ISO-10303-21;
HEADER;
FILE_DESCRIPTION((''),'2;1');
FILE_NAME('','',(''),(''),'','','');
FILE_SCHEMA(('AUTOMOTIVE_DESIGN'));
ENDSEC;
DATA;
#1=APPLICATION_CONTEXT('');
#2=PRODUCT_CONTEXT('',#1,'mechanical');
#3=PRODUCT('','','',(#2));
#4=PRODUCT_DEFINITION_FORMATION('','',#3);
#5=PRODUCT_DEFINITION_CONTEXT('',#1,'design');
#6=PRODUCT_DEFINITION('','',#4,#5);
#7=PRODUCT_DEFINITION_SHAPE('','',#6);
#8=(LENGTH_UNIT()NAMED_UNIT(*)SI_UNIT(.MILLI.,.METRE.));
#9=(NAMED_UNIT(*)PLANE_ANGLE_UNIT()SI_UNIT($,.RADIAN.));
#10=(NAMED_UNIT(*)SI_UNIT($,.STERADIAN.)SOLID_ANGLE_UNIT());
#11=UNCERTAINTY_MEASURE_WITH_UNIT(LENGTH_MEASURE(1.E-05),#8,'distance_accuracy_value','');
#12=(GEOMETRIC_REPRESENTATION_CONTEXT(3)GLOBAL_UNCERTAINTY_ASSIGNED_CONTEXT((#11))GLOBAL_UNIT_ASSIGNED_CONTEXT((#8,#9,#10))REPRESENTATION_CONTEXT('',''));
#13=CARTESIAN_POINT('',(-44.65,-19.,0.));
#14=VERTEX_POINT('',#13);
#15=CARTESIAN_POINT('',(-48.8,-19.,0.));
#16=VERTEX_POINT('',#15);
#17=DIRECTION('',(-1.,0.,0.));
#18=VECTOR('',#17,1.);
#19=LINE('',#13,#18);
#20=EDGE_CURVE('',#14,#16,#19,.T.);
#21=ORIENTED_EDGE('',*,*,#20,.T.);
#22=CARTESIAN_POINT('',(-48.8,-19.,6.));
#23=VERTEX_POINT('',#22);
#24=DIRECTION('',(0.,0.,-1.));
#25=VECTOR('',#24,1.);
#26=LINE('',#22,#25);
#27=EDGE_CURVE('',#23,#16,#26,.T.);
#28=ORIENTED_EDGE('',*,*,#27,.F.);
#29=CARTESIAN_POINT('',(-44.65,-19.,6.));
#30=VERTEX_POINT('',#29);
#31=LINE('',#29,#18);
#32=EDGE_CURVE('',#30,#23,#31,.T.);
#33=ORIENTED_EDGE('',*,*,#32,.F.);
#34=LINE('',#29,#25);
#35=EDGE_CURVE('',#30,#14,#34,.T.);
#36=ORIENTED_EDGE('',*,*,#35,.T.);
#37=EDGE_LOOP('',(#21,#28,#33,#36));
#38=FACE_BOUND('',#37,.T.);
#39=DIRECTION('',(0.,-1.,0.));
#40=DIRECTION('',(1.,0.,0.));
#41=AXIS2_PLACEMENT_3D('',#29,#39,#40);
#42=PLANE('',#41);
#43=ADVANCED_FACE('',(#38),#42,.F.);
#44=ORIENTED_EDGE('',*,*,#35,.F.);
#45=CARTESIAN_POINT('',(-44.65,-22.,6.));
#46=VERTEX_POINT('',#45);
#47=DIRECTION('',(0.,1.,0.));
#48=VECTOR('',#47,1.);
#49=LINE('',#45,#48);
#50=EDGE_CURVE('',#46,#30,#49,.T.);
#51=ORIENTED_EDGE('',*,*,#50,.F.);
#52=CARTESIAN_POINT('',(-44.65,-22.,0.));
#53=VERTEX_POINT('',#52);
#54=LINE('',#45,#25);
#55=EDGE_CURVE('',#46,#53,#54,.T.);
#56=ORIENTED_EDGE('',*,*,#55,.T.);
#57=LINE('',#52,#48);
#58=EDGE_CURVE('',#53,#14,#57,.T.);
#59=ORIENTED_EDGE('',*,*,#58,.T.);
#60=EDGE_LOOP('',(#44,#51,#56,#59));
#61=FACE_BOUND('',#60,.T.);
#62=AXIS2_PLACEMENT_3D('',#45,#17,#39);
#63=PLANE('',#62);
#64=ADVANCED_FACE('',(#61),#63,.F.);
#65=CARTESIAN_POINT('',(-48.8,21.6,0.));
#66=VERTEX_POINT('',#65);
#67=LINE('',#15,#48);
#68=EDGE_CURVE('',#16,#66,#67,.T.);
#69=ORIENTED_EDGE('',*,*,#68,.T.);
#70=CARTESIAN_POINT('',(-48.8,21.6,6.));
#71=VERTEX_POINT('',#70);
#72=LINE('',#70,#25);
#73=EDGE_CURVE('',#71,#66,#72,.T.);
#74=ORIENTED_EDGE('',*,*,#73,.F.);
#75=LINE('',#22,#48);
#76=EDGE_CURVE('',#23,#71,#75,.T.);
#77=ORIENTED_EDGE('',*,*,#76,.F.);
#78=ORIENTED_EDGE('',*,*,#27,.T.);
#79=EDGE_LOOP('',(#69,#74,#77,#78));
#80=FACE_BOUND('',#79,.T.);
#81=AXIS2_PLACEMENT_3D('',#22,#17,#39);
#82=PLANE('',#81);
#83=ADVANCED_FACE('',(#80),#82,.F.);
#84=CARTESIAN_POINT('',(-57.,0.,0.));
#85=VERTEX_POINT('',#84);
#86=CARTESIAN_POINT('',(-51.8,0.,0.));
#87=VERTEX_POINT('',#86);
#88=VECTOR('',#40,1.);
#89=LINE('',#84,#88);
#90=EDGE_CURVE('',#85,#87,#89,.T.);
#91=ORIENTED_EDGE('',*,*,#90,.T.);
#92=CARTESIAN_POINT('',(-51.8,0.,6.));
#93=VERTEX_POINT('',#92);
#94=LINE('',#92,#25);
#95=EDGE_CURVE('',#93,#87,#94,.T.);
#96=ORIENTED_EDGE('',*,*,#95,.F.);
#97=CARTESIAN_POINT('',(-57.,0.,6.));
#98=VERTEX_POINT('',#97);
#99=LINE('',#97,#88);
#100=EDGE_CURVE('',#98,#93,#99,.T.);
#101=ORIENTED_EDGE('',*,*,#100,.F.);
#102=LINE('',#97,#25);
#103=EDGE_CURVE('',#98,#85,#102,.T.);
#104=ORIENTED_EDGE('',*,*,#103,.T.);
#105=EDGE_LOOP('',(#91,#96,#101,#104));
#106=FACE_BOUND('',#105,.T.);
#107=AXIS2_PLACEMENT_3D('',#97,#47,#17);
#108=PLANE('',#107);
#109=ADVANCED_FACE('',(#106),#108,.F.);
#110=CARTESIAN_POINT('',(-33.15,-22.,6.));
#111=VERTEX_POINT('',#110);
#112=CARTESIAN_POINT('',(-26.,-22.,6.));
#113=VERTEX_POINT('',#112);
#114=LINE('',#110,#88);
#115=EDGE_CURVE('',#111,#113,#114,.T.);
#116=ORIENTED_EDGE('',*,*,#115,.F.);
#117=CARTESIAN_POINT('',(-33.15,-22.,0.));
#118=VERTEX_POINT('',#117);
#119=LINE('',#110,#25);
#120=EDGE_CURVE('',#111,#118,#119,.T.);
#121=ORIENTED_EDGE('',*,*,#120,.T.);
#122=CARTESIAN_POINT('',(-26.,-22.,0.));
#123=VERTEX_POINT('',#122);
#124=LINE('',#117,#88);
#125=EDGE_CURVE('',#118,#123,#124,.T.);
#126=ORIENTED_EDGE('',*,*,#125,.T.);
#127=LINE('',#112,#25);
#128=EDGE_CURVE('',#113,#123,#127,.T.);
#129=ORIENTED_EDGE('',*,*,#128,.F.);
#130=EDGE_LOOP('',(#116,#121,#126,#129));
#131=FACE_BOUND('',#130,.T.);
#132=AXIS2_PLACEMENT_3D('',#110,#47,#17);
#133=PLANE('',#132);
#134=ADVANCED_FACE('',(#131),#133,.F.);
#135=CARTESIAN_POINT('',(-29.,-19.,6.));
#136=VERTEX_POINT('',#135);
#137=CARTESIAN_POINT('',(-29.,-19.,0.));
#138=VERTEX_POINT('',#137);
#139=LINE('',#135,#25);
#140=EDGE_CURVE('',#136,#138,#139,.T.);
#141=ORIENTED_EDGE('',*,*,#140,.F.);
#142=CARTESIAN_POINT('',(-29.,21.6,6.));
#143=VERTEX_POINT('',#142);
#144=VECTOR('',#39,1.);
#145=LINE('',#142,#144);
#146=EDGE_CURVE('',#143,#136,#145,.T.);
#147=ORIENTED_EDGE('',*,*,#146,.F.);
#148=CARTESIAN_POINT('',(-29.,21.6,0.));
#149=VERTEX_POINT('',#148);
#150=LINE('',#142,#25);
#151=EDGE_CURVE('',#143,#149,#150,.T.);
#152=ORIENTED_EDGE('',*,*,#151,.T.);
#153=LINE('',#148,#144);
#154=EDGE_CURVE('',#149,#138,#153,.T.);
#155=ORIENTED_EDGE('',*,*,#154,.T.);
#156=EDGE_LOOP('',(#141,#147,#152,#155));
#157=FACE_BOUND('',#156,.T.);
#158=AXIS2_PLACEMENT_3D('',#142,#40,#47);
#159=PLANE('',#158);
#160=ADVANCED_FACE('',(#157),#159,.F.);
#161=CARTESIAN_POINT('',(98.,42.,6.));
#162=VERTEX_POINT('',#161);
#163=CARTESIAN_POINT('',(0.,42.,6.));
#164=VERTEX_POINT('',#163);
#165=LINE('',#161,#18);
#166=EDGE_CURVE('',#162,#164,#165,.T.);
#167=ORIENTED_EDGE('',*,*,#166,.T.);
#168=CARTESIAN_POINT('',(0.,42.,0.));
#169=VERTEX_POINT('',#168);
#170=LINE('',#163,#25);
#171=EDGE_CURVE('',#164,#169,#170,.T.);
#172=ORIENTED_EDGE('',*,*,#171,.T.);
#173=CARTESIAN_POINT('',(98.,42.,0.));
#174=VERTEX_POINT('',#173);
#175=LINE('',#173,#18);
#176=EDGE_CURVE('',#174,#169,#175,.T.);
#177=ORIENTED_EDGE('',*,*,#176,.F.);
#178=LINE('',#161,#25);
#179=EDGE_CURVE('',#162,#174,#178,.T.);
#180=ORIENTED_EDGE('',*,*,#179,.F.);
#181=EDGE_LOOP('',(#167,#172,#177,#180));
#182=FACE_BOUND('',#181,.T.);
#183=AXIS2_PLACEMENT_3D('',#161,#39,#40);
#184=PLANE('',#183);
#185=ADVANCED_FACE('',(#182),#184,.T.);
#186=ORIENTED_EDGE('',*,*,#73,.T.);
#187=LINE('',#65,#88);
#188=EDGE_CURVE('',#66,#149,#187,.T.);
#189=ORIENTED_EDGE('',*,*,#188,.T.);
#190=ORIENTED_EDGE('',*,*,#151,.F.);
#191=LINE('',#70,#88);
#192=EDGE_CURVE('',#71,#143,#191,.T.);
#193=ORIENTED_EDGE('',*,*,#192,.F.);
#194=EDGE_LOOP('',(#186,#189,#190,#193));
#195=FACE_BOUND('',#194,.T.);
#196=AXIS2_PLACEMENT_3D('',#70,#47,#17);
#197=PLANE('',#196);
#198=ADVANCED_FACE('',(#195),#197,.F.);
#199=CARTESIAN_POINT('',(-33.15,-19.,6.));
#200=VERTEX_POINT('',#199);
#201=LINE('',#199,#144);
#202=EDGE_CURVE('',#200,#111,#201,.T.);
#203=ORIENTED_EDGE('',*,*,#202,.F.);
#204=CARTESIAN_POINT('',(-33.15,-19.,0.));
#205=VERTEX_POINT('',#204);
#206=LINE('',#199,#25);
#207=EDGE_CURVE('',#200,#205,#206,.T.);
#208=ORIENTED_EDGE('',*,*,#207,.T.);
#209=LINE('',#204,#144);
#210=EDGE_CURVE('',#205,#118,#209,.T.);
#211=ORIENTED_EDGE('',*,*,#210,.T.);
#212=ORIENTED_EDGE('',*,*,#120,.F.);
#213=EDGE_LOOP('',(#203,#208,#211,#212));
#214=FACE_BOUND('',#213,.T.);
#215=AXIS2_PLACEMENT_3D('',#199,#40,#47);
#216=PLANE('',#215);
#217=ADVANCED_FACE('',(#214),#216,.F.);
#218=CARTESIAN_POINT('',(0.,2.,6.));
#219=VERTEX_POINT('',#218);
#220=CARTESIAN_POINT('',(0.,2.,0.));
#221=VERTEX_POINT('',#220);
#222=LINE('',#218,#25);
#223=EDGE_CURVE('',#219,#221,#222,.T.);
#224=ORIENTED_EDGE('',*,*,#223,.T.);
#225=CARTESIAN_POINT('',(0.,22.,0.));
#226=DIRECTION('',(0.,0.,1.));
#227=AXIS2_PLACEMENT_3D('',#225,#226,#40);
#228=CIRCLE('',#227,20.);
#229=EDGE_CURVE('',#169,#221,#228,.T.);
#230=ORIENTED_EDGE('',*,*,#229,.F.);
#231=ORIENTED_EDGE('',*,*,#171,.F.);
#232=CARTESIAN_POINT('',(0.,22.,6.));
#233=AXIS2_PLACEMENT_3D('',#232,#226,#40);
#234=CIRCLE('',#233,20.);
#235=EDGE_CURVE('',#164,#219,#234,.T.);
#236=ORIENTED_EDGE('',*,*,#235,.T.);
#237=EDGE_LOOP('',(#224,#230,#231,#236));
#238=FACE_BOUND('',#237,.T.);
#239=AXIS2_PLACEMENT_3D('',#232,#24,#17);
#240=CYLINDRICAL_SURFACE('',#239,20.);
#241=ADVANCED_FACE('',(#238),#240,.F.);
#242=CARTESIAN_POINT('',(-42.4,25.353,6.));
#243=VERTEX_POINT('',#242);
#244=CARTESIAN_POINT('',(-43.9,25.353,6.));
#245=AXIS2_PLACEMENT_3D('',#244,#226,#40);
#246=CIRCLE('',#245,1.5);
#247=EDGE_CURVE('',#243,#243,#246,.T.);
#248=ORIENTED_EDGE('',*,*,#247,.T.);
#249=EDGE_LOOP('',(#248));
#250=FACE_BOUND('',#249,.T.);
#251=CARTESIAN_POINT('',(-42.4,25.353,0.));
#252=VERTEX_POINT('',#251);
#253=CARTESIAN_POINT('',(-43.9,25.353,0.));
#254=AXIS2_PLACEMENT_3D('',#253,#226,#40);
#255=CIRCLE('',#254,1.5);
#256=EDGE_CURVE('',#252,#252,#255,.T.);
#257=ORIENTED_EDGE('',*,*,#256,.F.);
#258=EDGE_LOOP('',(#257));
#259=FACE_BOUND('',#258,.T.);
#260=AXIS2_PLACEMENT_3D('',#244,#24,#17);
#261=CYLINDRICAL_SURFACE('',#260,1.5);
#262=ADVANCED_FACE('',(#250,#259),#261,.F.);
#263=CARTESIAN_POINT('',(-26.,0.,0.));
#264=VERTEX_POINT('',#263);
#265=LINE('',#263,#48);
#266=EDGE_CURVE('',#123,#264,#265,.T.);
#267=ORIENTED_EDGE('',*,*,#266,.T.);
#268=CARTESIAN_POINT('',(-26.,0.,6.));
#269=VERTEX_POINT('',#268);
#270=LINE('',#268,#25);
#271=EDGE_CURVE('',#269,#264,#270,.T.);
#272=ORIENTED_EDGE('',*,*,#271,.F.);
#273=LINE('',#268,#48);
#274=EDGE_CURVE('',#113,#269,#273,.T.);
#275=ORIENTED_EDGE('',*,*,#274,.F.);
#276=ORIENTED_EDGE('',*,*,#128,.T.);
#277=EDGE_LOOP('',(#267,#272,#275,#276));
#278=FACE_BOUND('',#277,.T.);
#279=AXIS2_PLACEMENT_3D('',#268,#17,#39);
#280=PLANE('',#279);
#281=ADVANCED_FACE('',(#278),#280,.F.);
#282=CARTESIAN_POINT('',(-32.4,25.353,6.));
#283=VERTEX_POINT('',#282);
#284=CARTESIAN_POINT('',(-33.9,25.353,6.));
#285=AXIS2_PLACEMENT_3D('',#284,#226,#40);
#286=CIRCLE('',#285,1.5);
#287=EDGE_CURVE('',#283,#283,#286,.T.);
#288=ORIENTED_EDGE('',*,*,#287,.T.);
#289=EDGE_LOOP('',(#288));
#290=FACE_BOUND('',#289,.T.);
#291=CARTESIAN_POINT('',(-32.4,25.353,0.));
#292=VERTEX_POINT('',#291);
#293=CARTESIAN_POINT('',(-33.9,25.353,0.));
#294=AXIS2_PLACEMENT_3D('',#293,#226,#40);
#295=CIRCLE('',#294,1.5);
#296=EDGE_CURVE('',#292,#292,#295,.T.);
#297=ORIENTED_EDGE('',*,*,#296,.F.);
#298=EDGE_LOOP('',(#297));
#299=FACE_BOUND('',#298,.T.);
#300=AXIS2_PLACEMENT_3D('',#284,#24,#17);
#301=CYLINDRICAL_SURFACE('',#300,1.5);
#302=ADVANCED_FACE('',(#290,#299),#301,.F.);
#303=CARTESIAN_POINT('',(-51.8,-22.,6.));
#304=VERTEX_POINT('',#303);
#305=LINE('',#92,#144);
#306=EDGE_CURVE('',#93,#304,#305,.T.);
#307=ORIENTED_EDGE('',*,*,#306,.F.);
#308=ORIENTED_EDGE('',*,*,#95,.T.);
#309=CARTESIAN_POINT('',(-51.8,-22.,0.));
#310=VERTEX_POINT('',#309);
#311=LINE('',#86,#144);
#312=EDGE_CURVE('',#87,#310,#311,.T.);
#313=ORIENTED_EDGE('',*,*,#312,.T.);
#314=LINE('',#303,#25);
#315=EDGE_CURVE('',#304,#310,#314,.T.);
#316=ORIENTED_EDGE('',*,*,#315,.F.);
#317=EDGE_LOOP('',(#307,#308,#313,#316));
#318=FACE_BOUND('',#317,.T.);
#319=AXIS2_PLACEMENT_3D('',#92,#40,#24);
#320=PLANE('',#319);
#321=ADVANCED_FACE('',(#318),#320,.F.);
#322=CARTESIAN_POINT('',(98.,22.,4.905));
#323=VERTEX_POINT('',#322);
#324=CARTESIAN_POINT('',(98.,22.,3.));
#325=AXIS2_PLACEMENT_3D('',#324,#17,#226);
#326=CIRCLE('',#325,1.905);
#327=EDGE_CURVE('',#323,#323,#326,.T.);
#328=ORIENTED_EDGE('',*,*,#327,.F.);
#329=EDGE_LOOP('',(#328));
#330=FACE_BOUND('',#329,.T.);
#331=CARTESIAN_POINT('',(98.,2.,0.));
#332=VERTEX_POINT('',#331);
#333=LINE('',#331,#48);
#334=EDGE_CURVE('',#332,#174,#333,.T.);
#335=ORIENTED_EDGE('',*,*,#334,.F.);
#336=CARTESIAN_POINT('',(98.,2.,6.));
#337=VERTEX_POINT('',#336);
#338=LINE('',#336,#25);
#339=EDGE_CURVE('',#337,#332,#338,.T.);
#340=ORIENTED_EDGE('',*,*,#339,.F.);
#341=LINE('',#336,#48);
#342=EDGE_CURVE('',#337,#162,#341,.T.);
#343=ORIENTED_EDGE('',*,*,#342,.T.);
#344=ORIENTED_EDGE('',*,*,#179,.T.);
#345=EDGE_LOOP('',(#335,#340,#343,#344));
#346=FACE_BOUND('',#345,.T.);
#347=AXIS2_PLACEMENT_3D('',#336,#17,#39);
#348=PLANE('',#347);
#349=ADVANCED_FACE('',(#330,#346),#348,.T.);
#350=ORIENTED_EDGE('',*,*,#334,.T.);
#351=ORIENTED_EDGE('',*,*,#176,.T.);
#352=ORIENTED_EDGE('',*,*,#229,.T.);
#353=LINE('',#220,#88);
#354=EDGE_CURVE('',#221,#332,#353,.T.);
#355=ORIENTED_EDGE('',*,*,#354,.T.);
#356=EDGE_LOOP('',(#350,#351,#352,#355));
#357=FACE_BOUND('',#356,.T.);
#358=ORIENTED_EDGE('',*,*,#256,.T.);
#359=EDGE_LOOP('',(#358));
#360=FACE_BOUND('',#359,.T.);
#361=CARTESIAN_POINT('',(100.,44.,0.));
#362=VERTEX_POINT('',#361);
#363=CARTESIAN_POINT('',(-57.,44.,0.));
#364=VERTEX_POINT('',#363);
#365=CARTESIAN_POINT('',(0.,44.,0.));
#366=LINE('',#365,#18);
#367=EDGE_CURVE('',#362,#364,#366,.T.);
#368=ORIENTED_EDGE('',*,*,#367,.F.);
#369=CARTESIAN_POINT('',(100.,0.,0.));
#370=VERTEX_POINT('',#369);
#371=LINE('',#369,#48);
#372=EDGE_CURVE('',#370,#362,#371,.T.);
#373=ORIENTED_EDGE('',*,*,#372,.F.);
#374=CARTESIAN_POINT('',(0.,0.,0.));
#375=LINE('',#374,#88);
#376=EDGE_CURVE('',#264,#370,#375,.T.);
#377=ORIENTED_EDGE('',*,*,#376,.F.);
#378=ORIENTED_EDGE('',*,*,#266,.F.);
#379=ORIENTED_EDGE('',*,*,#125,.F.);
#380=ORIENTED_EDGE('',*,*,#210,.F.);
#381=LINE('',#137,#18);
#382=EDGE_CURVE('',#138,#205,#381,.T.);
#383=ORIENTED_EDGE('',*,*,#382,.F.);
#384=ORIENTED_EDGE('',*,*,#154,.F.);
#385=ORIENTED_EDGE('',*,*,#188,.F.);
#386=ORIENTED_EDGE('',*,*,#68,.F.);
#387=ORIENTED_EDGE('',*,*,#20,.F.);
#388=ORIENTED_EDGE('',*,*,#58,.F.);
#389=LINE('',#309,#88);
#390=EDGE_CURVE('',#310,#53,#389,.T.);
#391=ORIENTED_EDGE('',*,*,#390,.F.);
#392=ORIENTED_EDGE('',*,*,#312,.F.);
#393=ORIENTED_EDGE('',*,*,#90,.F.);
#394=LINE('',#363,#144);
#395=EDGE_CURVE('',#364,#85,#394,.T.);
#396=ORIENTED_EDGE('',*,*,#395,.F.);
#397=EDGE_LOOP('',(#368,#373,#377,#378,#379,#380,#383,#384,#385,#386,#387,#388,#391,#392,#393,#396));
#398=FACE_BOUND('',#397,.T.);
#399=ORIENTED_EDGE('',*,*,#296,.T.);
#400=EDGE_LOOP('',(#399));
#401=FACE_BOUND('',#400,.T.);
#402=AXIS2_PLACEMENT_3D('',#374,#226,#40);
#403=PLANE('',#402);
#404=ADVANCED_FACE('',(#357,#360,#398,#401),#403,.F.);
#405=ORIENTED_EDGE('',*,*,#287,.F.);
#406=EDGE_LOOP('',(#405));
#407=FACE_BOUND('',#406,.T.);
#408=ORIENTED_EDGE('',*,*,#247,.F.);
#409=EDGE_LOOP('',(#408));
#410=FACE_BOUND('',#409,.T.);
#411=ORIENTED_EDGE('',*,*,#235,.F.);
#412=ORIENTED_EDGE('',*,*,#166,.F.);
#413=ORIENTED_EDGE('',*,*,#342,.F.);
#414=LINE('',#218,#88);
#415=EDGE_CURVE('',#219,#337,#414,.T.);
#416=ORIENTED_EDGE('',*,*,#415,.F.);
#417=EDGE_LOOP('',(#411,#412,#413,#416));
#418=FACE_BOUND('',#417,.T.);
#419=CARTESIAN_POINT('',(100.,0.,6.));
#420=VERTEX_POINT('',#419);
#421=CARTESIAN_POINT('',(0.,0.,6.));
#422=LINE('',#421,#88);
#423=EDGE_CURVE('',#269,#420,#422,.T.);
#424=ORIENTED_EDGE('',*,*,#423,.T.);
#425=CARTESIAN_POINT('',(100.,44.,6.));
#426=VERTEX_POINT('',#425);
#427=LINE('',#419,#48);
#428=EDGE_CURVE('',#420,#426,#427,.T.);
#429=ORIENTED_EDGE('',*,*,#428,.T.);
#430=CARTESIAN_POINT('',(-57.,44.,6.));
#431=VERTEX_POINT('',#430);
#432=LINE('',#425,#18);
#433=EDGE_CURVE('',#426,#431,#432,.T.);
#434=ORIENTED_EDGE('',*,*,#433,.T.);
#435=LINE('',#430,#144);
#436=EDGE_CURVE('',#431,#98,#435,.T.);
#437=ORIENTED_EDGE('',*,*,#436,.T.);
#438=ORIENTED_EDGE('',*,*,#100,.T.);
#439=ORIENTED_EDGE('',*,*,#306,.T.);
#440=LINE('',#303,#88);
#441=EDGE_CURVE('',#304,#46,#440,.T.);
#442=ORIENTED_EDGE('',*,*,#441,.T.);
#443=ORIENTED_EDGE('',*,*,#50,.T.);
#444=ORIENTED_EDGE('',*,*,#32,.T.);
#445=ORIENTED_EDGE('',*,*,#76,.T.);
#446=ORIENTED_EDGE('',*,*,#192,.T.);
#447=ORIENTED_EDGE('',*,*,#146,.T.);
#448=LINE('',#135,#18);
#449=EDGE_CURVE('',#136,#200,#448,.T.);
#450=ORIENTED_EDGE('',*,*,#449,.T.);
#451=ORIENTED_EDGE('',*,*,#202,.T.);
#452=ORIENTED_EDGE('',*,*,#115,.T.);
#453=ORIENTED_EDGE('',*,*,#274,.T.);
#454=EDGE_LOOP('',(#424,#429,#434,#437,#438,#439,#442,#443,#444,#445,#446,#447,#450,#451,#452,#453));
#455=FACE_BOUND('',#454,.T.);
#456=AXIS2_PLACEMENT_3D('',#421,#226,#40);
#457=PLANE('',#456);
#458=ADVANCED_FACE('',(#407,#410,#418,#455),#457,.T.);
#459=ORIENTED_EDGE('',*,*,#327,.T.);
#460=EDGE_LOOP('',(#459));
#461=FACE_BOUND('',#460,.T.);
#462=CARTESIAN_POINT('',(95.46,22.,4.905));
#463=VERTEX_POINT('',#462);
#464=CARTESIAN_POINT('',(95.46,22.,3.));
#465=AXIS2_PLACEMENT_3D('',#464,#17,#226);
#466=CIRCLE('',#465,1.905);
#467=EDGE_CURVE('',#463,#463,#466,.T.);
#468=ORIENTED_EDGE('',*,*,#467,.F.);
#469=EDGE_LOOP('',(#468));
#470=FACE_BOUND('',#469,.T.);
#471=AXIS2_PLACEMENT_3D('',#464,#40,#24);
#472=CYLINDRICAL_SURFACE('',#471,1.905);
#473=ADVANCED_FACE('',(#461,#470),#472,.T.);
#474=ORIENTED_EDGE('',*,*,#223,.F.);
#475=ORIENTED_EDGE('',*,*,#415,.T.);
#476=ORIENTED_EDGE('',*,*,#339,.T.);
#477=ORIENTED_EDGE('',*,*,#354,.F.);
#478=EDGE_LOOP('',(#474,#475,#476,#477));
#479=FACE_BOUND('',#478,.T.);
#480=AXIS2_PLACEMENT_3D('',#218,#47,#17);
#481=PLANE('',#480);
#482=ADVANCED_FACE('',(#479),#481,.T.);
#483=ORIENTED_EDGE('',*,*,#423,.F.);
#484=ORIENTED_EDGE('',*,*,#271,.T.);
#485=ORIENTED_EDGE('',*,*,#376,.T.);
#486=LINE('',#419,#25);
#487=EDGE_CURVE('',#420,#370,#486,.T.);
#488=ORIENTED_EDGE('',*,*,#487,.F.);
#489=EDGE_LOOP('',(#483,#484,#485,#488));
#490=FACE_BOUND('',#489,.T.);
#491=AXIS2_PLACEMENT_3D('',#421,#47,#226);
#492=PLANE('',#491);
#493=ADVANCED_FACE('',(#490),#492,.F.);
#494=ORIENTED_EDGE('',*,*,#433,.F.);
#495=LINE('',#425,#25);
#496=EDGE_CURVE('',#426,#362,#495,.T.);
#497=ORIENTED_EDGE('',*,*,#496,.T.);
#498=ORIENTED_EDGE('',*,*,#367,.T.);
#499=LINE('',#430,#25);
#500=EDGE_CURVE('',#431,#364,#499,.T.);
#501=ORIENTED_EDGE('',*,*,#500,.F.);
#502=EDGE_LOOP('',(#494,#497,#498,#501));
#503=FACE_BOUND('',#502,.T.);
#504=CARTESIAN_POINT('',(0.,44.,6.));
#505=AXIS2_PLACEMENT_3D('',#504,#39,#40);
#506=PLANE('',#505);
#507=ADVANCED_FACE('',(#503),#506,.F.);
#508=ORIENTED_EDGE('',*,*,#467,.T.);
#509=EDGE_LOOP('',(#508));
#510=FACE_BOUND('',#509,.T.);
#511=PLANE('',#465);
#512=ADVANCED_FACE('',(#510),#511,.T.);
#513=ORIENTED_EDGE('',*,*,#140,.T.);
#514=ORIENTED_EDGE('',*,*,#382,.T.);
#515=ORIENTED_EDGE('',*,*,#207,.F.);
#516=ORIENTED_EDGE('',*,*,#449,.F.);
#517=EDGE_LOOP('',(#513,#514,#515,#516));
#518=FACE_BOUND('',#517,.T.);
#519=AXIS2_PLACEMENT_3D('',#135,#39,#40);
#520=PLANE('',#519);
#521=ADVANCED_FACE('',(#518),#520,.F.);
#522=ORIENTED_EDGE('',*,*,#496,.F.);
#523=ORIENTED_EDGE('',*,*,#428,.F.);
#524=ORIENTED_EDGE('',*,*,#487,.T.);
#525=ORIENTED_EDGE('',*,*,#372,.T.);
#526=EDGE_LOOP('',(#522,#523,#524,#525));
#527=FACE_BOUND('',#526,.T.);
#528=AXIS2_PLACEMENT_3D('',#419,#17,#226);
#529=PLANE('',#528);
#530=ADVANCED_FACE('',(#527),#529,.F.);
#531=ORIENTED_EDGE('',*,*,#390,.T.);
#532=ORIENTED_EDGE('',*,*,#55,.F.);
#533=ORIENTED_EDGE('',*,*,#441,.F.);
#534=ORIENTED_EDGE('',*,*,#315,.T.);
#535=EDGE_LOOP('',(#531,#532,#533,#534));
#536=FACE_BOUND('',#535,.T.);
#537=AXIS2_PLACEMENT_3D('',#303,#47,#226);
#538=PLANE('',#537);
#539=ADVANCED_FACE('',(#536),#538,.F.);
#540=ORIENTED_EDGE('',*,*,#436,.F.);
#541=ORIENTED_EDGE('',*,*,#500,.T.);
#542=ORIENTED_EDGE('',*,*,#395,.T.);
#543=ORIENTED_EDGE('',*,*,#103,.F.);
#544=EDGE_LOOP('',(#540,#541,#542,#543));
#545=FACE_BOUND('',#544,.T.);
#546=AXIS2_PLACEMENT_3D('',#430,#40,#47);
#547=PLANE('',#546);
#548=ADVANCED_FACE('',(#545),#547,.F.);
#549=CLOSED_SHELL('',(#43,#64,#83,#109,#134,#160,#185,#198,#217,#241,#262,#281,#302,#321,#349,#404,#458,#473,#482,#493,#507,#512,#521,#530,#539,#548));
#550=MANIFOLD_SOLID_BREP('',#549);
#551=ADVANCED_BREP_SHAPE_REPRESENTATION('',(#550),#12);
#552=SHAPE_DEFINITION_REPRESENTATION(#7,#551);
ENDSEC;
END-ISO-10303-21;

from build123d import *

# Parameters (mm, degrees)
SKETCH1_R           = 1.5
BOSS_EXTRUDE1_DEPTH = 6
SKETCH2_R           = 1.905
BOSS_EXTRUDE2_DEPTH = 2.54


with BuildPart() as part:
    # Sketch1 → Boss-Extrude1 (new body)
    with BuildSketch(Plane.XY):
        Polygon((0, 0), (100, 0), (100, 44), (0, 44), (-57, 44), (-57, 0), (-51.8, 0), (-51.8, -22), (-44.65, -22), (-44.65, -19), (-48.8, -19), (-48.8, 21.6), (-29, 21.6), (-29, -19), (-33.15, -19), (-33.15, -22), (-26, -22), (-26, 0), align=None)
        with Locations((-43.9, 25.353)):
            Circle(SKETCH1_R, mode=Mode.SUBTRACT)
        with Locations((-33.9, 25.353)):
            Circle(SKETCH1_R, mode=Mode.SUBTRACT)
        with BuildLine():
            Line((0, 2), (98, 2))
            Line((98, 2), (98, 42))
            Line((98, 42), (0, 42))
            ThreePointArc((0, 42), (-20, 22), (0, 2))
        make_face(mode=Mode.SUBTRACT)
    extrude(amount=BOSS_EXTRUDE1_DEPTH)

    # Sketch2 → Boss-Extrude2 (add)
    with BuildSketch(Plane.ZY.offset(-98)):
        with Locations((3, 22)):
            Circle(SKETCH2_R)
    extrude(amount=BOSS_EXTRUDE2_DEPTH)


solid = part.part
